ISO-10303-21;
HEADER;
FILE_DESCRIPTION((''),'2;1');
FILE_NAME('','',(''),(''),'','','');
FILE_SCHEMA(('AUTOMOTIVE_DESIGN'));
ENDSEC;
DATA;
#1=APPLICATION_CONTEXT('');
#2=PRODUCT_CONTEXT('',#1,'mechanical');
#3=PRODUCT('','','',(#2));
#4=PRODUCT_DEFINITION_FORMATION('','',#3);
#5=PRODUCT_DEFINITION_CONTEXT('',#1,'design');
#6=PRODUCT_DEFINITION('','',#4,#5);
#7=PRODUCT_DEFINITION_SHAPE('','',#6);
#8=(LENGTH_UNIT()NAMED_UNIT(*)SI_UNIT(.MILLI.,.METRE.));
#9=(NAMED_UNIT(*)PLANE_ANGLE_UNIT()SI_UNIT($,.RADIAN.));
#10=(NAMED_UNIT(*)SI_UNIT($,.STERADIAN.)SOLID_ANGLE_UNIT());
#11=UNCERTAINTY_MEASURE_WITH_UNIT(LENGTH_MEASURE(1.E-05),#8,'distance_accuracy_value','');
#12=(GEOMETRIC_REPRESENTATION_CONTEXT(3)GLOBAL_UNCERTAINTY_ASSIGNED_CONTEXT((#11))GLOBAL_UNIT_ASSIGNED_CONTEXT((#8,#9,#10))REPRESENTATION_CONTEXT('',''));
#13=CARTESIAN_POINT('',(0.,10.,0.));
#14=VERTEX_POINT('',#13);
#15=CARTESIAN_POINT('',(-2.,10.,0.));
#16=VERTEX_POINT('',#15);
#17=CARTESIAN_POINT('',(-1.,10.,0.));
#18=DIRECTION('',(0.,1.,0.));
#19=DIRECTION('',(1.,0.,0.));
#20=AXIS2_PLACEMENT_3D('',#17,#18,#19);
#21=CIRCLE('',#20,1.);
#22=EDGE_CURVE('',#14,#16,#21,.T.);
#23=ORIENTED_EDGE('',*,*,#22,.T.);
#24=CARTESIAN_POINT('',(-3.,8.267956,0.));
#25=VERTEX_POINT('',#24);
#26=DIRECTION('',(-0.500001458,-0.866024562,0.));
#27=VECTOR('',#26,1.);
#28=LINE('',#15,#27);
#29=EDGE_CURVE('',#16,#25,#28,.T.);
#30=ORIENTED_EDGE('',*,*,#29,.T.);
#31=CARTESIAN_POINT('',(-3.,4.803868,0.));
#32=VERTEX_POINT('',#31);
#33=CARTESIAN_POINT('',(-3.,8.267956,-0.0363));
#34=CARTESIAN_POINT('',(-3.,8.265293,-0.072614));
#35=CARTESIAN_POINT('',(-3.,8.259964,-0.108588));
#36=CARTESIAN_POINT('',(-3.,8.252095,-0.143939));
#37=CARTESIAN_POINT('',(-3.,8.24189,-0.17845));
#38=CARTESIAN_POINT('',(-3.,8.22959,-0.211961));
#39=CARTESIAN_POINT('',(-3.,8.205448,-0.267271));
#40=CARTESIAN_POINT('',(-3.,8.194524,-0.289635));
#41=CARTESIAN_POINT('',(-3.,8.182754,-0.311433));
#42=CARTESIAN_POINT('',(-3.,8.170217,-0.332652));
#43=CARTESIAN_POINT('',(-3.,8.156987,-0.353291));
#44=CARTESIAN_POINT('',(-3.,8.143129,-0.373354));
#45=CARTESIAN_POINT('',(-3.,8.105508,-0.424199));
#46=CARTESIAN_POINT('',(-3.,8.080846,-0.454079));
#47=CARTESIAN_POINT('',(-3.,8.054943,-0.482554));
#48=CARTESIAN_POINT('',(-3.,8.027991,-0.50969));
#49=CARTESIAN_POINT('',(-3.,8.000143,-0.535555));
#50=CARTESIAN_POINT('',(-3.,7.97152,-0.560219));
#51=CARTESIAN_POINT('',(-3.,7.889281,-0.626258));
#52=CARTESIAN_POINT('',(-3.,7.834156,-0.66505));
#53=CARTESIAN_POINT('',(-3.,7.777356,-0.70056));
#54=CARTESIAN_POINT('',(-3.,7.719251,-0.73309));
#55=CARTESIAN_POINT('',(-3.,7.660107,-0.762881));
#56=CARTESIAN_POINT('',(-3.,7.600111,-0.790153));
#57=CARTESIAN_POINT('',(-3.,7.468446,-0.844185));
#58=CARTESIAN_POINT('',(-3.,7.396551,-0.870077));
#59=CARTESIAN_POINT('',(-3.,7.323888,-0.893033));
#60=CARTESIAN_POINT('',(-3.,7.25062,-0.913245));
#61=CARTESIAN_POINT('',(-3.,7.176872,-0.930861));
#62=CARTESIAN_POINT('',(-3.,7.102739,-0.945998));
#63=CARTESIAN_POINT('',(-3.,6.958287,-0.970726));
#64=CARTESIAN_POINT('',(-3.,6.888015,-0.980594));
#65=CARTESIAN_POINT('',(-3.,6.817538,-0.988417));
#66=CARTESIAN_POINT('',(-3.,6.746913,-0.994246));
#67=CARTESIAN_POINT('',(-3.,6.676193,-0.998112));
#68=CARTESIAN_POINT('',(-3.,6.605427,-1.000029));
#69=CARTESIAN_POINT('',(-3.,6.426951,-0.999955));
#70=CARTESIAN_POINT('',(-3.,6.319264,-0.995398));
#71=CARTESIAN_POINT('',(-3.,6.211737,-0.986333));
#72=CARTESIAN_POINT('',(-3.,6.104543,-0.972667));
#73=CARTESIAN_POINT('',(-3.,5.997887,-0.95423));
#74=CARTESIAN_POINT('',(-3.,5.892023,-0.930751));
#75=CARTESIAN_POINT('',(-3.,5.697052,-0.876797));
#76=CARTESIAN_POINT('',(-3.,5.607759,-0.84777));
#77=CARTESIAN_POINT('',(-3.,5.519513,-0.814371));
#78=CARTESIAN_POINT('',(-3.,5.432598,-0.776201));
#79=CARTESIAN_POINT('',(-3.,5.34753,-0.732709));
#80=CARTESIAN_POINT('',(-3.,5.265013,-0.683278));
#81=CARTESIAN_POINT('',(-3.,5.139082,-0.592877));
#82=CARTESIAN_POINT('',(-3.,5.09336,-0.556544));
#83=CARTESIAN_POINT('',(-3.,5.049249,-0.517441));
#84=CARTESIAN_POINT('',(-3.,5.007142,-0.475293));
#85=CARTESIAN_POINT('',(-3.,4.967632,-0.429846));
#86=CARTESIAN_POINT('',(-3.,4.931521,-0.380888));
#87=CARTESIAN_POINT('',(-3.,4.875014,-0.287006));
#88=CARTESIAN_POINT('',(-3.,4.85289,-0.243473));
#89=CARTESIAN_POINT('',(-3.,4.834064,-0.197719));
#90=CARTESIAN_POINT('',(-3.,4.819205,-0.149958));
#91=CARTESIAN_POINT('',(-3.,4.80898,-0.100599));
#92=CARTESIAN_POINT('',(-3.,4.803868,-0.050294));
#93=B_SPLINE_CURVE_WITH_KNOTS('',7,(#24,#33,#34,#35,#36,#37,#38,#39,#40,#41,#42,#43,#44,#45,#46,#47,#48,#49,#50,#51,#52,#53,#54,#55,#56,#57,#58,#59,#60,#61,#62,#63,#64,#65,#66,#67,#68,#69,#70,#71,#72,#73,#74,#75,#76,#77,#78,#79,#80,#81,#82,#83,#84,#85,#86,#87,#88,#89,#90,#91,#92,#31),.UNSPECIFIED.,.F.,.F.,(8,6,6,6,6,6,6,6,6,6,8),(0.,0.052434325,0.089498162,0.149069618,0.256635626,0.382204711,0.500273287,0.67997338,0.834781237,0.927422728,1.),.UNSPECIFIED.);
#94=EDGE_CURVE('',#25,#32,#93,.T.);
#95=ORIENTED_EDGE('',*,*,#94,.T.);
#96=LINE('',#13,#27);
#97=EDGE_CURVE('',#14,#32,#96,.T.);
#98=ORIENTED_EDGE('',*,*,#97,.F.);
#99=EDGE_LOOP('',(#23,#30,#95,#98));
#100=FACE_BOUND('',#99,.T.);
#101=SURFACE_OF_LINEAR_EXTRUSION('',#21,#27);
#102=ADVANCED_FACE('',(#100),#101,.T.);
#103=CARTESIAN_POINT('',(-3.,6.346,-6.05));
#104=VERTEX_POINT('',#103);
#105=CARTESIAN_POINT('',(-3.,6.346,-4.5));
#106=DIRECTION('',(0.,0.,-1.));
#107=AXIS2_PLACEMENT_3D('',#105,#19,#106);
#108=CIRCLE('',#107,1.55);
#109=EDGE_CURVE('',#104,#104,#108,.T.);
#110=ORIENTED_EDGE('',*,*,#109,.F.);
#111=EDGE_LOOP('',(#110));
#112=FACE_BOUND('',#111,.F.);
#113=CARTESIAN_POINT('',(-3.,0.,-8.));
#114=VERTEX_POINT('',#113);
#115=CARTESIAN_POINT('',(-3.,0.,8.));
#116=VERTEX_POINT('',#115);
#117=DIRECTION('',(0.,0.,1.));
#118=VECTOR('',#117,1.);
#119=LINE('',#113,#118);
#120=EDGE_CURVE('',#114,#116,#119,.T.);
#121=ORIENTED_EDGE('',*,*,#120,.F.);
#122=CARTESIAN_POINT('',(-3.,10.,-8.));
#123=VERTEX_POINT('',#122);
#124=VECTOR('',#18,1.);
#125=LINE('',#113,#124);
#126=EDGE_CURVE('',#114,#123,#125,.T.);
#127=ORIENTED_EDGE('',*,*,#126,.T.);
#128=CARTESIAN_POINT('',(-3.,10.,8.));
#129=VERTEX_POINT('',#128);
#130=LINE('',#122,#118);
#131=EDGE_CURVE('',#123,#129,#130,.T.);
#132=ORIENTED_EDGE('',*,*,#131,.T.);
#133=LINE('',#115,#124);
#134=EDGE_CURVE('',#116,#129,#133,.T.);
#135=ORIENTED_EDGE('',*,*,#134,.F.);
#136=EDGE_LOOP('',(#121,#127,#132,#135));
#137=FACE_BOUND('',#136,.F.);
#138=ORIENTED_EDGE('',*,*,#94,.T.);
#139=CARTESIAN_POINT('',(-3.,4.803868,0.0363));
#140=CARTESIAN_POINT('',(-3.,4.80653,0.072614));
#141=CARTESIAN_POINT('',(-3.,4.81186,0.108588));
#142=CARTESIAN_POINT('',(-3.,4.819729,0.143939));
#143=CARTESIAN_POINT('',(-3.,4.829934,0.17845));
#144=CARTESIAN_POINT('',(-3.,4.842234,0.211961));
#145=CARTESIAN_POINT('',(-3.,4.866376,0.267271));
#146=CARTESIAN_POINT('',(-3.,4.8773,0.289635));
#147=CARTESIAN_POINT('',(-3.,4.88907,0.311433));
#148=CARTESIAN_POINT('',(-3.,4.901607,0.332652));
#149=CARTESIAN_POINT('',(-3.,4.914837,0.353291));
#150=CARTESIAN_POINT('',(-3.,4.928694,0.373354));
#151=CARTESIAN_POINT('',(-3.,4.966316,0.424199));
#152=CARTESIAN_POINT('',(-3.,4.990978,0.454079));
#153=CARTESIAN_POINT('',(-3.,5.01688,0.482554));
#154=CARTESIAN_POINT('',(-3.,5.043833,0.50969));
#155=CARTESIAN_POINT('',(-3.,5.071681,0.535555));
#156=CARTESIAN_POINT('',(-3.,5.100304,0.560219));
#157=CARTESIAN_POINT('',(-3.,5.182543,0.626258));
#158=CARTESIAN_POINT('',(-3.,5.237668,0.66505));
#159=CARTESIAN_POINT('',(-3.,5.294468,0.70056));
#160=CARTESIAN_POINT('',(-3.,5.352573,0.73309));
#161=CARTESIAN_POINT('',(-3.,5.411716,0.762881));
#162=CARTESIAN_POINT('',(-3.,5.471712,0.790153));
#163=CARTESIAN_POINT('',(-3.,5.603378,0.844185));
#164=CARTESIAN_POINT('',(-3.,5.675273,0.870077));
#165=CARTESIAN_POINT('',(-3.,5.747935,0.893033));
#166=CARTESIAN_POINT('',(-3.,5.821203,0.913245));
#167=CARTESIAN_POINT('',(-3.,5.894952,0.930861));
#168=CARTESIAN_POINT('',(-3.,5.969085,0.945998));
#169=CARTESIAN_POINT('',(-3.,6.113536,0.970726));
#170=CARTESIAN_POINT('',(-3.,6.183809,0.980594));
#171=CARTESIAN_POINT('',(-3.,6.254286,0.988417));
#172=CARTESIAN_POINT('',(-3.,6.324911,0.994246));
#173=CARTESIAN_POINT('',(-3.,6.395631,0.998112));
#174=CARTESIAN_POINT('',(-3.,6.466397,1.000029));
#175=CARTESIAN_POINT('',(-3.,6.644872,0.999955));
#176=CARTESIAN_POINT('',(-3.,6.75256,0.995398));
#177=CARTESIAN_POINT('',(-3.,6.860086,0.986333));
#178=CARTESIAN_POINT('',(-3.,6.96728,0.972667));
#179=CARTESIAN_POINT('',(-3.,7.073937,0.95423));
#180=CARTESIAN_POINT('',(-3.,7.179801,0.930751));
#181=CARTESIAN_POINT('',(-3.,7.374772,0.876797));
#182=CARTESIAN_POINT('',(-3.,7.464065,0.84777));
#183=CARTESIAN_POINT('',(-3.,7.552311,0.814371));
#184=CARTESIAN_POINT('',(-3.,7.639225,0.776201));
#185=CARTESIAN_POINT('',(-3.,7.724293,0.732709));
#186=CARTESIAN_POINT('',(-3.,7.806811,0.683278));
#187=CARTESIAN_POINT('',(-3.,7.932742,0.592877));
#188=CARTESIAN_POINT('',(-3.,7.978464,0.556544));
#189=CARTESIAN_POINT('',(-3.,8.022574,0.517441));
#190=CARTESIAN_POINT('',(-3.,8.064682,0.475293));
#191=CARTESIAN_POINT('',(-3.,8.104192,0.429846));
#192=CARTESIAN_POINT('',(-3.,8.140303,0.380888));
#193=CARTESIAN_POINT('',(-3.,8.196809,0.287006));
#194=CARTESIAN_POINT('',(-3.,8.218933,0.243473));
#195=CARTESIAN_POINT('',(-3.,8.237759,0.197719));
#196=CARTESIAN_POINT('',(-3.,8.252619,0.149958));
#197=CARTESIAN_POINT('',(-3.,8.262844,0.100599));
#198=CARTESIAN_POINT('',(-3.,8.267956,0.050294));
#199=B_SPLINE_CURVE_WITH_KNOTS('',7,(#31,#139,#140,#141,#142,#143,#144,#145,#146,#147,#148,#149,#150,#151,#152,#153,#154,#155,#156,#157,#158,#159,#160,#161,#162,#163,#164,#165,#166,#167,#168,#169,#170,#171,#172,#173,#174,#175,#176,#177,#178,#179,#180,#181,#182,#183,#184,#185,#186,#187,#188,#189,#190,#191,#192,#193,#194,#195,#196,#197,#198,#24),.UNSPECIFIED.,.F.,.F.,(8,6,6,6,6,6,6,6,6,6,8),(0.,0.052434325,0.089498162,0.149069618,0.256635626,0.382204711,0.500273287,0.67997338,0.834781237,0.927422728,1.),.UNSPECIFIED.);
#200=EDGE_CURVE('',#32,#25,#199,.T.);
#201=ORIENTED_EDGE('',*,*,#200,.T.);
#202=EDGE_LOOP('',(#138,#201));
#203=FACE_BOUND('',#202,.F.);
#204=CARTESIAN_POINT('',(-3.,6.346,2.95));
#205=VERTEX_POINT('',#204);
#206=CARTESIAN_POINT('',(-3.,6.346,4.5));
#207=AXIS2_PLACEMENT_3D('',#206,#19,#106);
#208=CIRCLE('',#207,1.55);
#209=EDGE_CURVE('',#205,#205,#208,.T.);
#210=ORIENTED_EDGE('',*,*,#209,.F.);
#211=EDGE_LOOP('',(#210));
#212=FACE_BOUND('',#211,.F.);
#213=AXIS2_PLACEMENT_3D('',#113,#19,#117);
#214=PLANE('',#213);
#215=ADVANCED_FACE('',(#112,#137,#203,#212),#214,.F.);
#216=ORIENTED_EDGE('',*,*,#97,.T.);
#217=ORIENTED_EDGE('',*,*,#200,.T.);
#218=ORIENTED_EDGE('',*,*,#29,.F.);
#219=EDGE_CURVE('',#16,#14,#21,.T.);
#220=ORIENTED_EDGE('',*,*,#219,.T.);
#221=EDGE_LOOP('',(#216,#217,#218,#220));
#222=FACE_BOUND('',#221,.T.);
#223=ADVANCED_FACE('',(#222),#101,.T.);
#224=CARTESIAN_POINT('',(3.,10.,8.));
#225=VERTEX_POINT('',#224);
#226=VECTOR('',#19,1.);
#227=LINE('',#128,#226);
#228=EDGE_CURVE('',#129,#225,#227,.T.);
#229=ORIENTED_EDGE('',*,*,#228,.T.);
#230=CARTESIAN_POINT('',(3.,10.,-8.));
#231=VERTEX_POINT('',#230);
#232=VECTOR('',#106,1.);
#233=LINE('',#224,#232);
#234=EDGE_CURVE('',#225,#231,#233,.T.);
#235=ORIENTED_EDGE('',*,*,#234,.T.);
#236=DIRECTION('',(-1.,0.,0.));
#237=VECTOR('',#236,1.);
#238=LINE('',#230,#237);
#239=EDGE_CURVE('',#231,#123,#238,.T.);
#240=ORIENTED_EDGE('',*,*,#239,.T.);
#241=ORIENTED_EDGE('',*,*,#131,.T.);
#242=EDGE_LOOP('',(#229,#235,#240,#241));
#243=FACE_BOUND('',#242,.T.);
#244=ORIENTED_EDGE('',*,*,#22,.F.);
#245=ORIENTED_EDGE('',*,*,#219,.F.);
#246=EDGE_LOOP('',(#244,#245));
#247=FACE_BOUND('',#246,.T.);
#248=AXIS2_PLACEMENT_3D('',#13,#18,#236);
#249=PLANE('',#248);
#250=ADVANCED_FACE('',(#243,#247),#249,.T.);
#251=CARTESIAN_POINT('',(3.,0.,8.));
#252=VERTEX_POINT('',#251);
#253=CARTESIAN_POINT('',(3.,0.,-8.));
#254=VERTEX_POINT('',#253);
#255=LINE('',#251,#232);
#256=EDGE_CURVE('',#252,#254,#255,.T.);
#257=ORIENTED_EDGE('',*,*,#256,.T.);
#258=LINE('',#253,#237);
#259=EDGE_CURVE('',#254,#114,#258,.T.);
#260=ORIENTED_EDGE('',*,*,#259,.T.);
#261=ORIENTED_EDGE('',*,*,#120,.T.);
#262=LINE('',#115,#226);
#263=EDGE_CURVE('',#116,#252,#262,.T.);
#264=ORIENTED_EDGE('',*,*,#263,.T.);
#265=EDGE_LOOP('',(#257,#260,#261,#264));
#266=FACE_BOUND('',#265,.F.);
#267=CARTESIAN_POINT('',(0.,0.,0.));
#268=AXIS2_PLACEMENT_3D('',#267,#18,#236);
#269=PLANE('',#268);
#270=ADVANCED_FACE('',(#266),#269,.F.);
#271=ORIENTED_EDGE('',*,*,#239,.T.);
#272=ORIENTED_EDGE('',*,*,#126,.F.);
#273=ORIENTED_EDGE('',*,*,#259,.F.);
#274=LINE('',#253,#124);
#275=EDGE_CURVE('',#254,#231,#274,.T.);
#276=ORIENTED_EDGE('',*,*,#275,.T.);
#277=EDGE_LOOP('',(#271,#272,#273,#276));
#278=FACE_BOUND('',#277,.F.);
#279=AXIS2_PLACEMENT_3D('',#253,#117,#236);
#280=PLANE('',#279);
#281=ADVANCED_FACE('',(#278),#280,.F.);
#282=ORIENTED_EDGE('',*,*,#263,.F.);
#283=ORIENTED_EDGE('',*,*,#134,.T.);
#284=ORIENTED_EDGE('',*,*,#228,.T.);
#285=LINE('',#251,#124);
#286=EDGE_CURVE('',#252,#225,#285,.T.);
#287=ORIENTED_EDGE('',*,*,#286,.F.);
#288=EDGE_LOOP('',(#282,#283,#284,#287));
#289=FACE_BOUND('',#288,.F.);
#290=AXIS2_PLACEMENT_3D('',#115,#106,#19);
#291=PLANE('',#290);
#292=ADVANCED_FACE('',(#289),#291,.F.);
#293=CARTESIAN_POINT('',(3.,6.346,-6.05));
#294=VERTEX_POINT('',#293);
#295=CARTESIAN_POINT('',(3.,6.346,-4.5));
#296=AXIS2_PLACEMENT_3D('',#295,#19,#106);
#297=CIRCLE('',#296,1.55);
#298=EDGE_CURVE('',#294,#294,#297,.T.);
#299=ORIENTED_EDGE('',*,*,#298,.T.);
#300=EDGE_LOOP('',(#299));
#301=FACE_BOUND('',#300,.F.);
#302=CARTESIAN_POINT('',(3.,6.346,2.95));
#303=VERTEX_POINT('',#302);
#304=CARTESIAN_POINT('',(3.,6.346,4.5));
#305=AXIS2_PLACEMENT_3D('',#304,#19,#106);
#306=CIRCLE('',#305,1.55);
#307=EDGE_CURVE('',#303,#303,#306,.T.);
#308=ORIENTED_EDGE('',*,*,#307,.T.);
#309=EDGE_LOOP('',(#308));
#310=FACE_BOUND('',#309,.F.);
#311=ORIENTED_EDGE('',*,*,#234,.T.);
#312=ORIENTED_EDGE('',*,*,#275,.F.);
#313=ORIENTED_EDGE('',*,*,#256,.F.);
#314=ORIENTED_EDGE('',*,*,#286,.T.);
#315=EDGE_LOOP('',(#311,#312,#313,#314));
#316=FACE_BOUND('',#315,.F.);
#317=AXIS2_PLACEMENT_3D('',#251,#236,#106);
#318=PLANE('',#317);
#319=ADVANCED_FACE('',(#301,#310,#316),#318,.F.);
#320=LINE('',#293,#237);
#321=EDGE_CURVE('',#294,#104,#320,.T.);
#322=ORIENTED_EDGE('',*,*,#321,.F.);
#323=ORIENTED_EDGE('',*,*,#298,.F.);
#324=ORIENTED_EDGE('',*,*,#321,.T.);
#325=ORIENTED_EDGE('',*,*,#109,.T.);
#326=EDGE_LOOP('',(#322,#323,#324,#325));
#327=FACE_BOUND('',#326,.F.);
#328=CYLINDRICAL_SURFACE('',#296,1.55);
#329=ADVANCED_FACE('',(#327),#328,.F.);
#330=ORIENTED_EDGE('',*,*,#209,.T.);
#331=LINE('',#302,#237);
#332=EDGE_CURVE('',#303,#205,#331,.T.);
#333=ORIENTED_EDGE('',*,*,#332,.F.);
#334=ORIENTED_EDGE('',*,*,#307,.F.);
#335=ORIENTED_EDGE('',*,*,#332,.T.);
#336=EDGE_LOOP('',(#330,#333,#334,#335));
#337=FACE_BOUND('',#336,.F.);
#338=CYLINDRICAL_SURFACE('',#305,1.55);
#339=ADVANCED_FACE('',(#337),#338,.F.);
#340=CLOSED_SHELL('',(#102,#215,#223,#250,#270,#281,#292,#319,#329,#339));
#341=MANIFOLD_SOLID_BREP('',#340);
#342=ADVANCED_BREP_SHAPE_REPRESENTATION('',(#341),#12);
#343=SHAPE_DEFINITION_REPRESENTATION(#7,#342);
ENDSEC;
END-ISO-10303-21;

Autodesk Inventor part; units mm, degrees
ref_plane "YZ Plane" through (0, 0, 0) normal (1, 0, 0) x (0, 1, 0)
ref_plane "XZ Plane" through (0, 0, 0) normal (0, 1, 0) x (-1, 0, 0)
ref_plane "XY Plane" through (0, 0, 0) normal (0, 0, 1) x (1, 0, 0)
sketch "Sketch1" plane through (0, 0, 0) normal (0, 1, 0) x (-1, 0, 0)
  line L0 (-3, -8) -> (3, -8)
  line L1 (3, -8) -> (3, 8)
  line L2 (3, 8) -> (-3, 8)
  line L3 (-3, 8) -> (-3, -8)
  line L4 (-3, -8) -> (3, 8) construction
  line L5 (3, -8) -> (-3, 8) construction
  point P0 (0, 0)
  dimension "d0" = 6
  dimension "d1" = 16
extrude "Extrusion1" add sketch "Sketch1" along normal blind 10
sketch "Sketch2" plane through (0, 10, 0) normal (0, 1, 0) x (1, 0, 0)
  line L0 (-3, 8) -> (-3, -8) projected
  line L1 (-3, 0) -> (-1, 0)
  circle A0 centre (-1, 0) radius 1
  point P0 (0, 0)
  dimension "d4" = 2
  dimension "d5" = 2
sketch "Sketch3" plane through (3, 0, -8) normal (0, 0, -1) x (-1, 0, 0)
  line L0 (6, 0) -> (6, 10) projected
  line L1 (6, 10) -> (10.4832, 2.2349)
  line L2 (6, 10) -> (14.9664, 10) construction
  point P0 (3, 0)
  dimension "d6" = 60
sweep "Sweep1" cut profiles "Sketch2" path "Sketch3" path curves L1
sketch "Sketch5" plane through (3, 0, 8) normal (1, 0, 0) x (0, 0, -1)
  circle A0 centre (3.5, 6.346) radius 2.85 projected
  circle A1 centre (3.5, 6.346) radius 1.55
  circle A2 centre (12.5, 6.346) radius 2.85 projected
  circle A3 centre (12.5, 6.346) radius 1.55
  point P0 (8, 0)
  dimension "d13" = 3.1
  dimension "d14" = 3.1
extrude "Extrusion3" cut sketch "Sketch5" against normal blind 10 contours A1 | A3
properties part number "middleFingerMale"
